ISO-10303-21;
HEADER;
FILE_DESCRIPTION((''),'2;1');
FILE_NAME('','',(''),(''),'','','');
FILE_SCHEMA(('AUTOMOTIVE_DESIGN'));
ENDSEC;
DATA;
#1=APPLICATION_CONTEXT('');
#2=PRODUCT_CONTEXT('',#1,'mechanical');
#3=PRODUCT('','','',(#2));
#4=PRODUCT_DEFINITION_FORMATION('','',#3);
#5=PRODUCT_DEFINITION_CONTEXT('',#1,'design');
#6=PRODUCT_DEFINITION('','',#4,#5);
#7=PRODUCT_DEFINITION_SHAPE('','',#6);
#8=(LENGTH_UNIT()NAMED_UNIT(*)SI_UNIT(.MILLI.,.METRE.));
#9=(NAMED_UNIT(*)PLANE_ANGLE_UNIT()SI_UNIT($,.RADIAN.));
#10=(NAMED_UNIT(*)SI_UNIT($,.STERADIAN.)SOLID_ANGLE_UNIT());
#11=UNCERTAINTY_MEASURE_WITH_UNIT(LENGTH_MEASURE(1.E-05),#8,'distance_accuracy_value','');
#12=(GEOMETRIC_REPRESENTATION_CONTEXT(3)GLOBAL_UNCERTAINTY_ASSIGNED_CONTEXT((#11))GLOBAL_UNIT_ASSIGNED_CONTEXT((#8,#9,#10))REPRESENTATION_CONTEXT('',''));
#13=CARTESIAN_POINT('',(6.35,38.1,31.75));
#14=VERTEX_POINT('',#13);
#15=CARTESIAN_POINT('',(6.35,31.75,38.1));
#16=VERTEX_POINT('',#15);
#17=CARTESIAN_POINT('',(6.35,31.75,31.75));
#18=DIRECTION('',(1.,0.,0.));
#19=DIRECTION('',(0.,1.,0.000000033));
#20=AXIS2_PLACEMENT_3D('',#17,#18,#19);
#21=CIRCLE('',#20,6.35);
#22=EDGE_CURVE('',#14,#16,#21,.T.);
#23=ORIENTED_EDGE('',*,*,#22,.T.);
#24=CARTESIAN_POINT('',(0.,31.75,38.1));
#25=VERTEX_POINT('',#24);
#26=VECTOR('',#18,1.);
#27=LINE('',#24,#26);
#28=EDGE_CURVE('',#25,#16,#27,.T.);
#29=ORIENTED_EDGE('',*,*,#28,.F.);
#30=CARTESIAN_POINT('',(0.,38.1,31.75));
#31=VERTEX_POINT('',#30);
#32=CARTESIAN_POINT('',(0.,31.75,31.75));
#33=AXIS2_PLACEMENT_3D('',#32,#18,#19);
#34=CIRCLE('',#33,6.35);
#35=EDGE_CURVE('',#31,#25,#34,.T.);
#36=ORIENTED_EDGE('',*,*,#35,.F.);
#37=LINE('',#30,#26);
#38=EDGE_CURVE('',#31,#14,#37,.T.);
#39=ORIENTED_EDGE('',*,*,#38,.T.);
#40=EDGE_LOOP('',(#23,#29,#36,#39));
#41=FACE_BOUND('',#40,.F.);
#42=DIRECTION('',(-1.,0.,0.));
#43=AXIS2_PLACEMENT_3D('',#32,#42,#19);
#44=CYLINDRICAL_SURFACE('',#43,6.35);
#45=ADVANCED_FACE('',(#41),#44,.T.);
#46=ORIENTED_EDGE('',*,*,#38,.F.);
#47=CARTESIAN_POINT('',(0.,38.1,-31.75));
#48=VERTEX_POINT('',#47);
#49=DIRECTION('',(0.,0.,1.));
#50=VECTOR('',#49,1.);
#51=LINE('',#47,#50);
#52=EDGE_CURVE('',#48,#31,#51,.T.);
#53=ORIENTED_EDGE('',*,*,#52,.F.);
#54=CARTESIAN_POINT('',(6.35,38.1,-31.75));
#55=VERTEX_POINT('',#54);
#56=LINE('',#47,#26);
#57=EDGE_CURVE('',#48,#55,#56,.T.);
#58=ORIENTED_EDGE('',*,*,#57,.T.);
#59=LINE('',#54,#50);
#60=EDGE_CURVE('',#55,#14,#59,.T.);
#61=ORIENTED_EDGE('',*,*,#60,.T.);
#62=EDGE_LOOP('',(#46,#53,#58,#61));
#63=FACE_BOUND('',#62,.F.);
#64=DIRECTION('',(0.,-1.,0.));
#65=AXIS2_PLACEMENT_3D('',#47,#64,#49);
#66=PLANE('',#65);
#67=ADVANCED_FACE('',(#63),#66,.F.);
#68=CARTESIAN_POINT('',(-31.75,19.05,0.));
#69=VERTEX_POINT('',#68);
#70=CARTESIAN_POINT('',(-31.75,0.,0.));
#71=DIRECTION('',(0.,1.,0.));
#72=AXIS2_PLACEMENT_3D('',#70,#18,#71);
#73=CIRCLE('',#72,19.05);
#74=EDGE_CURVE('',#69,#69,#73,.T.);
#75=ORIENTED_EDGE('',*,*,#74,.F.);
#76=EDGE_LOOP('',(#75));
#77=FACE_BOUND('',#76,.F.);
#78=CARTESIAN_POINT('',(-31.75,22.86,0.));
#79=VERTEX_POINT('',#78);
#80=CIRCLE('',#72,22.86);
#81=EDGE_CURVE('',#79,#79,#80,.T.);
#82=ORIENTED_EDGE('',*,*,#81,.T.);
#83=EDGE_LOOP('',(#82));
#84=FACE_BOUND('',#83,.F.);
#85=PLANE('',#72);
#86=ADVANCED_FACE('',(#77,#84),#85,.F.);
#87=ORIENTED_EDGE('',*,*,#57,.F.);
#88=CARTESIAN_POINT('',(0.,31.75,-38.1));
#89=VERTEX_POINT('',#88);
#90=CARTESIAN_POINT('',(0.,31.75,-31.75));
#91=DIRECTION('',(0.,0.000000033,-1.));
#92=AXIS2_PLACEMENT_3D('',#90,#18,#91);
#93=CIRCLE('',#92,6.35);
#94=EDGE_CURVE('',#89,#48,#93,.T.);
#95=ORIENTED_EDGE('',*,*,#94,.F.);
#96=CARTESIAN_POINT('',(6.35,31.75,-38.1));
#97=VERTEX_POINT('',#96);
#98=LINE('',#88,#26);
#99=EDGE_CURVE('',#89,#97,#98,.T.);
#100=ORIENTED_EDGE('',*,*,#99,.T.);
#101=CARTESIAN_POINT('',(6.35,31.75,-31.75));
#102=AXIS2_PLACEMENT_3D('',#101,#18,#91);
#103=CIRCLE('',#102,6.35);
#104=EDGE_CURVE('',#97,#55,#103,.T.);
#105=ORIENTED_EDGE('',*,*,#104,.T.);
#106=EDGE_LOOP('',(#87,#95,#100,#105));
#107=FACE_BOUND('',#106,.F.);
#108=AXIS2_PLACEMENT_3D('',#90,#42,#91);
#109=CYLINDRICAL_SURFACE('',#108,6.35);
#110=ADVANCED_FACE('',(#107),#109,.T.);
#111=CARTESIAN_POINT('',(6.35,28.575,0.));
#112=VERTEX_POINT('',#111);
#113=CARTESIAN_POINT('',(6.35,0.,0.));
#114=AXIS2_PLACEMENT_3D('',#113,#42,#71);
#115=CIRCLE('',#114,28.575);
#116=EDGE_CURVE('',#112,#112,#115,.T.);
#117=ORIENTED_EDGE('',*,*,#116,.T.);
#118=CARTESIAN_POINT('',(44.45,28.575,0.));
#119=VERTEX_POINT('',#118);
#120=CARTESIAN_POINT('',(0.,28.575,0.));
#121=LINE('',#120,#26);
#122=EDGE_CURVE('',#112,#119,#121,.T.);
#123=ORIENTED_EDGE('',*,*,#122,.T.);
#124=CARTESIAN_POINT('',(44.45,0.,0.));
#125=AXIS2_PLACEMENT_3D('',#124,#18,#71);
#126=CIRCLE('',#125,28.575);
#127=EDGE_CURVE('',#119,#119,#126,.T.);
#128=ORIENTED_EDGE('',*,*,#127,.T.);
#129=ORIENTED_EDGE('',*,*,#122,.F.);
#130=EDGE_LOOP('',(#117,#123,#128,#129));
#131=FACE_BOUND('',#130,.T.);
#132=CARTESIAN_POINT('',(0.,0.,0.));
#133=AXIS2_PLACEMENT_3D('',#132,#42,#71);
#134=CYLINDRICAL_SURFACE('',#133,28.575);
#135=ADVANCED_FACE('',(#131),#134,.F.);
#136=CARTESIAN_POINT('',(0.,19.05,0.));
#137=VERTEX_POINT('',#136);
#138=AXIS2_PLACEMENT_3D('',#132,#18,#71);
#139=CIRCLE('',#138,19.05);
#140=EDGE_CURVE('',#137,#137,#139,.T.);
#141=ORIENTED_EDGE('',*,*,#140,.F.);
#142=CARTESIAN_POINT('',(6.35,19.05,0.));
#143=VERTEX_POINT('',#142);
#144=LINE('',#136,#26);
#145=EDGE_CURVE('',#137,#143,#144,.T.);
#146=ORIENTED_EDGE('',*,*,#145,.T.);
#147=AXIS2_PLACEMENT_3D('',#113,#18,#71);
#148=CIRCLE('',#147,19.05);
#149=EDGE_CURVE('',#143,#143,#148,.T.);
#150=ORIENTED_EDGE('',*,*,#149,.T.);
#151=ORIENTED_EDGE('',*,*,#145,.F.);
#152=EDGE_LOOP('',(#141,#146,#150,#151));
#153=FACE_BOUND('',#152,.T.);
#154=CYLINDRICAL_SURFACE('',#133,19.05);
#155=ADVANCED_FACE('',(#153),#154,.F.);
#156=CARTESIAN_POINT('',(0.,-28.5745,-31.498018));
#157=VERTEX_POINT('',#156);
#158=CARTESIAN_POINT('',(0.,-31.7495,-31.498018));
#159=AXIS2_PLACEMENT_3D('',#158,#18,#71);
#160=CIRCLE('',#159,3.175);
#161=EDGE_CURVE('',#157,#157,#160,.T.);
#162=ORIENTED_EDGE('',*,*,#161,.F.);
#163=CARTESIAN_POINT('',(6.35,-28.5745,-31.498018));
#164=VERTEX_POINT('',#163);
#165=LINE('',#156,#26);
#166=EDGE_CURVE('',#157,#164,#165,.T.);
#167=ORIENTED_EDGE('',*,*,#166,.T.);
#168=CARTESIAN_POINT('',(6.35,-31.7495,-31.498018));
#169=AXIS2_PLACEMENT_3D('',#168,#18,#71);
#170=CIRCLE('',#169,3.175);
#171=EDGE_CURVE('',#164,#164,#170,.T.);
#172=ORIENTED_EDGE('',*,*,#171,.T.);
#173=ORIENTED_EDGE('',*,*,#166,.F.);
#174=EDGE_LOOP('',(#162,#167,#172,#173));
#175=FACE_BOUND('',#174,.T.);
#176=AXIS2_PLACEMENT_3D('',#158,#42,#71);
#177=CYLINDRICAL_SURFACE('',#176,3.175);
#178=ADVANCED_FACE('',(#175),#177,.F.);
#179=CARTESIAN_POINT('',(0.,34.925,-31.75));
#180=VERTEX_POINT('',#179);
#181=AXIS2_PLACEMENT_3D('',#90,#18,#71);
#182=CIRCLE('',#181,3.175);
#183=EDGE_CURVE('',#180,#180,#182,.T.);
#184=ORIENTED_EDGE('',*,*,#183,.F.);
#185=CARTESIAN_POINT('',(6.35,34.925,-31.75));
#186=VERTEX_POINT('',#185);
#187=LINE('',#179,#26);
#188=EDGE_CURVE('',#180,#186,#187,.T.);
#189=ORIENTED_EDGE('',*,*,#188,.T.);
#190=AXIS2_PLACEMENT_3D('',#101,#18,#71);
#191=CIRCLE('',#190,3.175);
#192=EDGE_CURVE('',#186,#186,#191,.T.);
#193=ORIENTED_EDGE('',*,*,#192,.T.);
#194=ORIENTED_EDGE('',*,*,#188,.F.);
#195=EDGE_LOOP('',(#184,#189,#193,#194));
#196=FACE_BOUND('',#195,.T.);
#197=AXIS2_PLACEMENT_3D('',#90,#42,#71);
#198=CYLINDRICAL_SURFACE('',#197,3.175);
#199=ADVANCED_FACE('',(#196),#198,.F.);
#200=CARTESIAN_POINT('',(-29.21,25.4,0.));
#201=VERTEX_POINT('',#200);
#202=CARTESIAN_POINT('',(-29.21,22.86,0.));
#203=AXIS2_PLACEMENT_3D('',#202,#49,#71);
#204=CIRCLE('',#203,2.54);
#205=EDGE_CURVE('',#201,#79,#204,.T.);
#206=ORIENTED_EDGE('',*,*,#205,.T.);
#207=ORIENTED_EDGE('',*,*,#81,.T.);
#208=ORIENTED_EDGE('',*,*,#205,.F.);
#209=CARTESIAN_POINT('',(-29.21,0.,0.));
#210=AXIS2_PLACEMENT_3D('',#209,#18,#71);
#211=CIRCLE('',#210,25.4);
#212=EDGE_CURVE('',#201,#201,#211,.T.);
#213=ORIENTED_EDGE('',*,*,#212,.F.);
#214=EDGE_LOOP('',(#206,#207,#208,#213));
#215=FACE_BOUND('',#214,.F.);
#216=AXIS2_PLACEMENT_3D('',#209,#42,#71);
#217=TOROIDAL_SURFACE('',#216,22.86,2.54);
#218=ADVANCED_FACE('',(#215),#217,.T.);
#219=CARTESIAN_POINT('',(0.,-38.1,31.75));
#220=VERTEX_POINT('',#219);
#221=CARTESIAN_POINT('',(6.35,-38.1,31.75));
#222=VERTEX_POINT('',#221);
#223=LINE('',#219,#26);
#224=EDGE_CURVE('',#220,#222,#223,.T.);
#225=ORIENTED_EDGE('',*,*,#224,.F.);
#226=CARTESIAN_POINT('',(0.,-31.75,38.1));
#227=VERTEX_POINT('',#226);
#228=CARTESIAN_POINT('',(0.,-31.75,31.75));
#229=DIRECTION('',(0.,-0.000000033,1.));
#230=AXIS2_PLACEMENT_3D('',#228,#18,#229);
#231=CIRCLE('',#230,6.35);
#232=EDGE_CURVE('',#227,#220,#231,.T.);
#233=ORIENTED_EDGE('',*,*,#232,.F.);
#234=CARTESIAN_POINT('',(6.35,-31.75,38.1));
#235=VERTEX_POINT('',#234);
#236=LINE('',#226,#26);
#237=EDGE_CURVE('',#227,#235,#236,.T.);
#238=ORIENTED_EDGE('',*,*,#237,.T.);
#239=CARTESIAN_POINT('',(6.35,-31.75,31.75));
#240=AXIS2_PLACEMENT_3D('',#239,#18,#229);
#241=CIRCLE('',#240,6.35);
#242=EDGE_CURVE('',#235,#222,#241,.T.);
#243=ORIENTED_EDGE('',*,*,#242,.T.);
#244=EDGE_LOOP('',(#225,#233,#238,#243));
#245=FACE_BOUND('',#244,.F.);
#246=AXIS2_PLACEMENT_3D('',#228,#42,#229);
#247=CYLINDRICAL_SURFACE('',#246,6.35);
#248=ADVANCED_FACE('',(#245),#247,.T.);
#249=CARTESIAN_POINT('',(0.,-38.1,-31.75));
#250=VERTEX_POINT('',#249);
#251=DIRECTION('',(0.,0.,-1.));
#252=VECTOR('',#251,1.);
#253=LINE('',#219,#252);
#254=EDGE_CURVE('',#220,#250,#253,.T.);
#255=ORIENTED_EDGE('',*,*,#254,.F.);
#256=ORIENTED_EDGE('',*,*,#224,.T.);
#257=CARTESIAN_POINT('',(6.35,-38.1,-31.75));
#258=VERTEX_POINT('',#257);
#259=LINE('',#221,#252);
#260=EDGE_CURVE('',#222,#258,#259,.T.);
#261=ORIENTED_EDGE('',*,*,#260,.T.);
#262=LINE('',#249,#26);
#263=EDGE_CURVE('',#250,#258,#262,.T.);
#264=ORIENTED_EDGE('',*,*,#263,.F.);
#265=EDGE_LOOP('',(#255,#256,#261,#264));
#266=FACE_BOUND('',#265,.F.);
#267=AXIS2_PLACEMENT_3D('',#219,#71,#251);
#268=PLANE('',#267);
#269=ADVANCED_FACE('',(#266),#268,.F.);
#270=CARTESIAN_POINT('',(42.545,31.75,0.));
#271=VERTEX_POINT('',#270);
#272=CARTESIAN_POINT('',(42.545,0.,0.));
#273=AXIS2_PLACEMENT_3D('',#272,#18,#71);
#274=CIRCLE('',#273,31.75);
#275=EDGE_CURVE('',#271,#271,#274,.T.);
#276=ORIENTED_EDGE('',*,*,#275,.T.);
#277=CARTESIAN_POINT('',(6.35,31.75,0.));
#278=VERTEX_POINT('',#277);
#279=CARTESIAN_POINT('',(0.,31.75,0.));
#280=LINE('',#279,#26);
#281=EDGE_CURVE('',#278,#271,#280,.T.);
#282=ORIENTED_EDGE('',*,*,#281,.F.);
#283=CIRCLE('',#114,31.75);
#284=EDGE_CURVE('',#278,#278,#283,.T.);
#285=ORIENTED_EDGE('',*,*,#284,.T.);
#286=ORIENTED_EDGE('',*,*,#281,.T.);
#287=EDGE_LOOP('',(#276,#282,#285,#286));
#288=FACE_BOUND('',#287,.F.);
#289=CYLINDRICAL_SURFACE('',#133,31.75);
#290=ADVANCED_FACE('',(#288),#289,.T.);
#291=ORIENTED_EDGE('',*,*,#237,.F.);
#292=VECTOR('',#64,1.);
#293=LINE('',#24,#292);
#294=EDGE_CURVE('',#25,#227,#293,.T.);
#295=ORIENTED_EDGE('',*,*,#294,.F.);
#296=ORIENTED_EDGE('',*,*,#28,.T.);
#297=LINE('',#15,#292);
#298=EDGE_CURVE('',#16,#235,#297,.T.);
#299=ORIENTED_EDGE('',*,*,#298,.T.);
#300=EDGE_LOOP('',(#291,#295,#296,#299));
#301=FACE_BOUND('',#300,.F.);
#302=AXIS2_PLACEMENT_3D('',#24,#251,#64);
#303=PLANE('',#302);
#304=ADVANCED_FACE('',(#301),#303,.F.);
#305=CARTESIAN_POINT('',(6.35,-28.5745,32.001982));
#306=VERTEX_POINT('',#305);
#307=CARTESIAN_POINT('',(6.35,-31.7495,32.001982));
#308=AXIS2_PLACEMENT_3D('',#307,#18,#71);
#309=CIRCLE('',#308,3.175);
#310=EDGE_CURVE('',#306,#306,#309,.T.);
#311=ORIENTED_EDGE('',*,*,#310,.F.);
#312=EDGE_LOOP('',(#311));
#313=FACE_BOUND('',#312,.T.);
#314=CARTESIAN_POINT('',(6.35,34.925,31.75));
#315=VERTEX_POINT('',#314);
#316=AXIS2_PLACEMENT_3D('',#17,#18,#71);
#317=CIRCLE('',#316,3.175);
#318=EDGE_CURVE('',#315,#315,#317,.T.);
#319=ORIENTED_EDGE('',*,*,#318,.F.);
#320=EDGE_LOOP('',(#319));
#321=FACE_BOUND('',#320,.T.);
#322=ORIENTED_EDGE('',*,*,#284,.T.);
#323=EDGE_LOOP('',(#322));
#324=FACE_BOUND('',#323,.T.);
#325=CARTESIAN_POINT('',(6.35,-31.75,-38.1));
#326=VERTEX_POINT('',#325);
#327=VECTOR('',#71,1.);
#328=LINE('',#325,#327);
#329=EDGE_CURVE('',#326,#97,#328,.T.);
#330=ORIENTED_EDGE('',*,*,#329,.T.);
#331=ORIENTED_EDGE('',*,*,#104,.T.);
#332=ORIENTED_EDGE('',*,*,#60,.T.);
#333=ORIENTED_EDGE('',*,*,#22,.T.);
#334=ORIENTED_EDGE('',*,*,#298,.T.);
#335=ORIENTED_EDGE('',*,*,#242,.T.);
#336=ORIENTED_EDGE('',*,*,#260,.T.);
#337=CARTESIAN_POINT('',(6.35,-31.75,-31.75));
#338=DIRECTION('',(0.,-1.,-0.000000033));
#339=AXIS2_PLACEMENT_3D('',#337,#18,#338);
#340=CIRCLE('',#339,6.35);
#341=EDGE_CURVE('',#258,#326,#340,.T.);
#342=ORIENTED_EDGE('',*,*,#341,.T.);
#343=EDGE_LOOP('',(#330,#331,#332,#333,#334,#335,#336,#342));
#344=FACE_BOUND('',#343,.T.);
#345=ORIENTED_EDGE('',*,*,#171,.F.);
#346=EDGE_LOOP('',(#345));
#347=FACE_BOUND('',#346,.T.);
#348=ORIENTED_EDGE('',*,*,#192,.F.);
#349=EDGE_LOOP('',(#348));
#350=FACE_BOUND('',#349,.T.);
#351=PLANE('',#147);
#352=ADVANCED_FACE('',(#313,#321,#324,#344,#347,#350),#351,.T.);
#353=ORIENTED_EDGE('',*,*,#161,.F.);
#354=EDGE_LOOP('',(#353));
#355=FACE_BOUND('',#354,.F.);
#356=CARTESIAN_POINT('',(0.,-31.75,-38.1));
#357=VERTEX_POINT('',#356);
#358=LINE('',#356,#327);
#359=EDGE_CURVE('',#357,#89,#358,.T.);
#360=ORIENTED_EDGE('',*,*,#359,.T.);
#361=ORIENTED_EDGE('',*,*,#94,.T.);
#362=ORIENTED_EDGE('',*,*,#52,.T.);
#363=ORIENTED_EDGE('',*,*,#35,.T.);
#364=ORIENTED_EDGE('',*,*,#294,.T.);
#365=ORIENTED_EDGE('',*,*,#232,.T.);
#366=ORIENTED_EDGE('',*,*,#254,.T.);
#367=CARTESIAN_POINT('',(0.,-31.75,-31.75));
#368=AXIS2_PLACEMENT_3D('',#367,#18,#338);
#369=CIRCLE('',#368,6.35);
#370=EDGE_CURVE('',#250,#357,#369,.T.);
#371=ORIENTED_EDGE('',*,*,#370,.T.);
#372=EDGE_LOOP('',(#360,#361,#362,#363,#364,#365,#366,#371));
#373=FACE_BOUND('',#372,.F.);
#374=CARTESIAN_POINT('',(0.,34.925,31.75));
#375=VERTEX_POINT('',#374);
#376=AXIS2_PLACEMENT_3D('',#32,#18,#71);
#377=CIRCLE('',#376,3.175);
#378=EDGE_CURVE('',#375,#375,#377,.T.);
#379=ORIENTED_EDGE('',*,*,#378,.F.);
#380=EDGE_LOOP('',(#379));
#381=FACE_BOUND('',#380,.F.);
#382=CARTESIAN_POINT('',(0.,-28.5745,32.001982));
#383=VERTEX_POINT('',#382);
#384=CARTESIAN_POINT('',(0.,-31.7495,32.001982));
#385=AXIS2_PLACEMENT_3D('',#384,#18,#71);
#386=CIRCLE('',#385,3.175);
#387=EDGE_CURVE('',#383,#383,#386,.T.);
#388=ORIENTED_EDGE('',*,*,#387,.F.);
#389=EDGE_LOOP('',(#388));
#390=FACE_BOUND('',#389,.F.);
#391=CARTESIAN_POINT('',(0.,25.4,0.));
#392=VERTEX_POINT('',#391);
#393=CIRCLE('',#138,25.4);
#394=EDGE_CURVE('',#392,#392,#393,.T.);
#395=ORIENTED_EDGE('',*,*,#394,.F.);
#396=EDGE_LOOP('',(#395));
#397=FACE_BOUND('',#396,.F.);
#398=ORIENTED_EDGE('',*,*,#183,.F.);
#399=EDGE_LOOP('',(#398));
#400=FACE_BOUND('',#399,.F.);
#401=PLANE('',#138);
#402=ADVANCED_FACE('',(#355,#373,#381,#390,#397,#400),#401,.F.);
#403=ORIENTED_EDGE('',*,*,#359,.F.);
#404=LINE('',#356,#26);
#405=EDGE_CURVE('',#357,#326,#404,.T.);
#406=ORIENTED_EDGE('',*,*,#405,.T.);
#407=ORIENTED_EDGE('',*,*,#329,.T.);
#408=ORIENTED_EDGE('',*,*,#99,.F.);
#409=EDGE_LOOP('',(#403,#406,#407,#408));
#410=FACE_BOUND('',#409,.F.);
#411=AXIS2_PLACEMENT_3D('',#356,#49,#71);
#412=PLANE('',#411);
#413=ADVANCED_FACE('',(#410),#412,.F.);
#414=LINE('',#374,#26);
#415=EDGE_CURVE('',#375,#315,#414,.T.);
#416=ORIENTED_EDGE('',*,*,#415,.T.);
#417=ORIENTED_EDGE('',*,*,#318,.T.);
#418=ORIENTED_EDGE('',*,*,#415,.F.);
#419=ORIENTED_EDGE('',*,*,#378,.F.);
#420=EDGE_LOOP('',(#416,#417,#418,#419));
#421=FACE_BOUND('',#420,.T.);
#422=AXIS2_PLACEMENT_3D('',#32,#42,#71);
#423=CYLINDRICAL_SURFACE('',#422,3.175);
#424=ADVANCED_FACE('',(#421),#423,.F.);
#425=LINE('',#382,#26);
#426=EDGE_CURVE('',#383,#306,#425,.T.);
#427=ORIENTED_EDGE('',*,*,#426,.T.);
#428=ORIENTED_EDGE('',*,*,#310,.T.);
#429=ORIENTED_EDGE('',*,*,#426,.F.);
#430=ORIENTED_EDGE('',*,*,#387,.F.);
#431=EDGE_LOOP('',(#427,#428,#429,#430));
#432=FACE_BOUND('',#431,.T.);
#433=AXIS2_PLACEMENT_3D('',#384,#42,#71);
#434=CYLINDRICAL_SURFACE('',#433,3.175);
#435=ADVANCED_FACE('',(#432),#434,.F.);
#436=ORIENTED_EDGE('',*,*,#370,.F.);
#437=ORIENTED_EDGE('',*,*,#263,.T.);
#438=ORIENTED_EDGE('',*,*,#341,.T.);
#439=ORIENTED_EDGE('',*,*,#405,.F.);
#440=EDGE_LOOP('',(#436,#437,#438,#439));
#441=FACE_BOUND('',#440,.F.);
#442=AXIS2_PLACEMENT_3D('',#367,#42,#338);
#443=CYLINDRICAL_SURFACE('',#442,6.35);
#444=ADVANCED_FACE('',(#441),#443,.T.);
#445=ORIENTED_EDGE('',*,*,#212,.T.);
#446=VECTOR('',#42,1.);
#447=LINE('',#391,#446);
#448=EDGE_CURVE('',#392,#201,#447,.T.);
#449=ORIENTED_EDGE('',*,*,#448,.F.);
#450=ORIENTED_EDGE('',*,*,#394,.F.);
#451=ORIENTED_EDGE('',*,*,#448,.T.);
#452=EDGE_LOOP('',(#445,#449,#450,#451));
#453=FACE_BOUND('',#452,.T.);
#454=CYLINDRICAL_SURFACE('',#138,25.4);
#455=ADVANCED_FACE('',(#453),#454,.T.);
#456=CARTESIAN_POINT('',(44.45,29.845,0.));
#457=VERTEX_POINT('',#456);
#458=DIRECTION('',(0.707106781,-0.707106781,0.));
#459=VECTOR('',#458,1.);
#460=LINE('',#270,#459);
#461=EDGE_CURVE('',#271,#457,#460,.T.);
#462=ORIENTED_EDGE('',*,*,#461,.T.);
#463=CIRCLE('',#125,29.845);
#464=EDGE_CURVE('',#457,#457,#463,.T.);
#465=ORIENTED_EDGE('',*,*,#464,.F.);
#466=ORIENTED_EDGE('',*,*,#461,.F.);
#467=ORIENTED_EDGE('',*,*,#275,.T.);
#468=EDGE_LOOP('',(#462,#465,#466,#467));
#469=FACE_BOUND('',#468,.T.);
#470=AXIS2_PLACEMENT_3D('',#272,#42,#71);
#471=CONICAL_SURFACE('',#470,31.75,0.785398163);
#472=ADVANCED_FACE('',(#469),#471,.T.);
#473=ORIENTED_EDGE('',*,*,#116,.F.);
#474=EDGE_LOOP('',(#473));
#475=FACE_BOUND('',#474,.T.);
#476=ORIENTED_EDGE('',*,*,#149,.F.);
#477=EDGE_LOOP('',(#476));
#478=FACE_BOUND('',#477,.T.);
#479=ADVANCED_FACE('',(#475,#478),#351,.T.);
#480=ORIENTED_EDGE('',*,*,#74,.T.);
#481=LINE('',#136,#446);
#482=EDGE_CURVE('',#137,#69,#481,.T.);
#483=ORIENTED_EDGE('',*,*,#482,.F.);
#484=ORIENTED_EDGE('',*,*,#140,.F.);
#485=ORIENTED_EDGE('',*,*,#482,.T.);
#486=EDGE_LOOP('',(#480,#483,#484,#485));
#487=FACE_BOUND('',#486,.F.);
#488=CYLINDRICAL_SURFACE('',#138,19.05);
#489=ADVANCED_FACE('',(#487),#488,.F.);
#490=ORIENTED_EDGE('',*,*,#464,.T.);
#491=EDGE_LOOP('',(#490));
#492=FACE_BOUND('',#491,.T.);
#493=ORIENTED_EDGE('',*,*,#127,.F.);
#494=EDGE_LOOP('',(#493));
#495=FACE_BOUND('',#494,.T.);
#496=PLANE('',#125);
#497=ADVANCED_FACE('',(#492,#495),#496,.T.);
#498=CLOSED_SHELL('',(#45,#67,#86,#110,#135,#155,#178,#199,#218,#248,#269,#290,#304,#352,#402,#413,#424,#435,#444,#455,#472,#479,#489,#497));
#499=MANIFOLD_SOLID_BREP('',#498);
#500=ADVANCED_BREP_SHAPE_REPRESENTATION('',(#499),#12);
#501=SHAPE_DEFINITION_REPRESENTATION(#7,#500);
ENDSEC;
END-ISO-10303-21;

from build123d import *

# Parameters (mm, degrees)
F0_R     = 3.175
F0_R_2   = 19.05
F1_DEPTH = 6.35
F2_R     = 31.75
F2_R_2   = 28.575
F3_DEPTH = 44.45
F4_SIZE2 = 1.905
F4_SIZE  = 1.905
F5_R     = 25.4
F5_R_2   = 19.05
F6_DEPTH = 31.75
F7_R     = 2.54


with BuildPart() as f1:
    # F0 (on Right) → F1 (new body)
    with BuildSketch(Plane.YZ):
        with BuildLine():
            ThreePointArc((-38.1, -31.75), (-36.240128, -36.240128), (-31.75, -38.1))
            Line((-31.75, -38.1), (31.75, -38.1))
            ThreePointArc((31.75, -38.1), (36.240128, -36.240128), (38.1, -31.75))
            Line((38.1, -31.75), (38.1, 31.75))
            ThreePointArc((38.1, 31.75), (36.240128, 36.240128), (31.75, 38.1))
            Line((31.75, 38.1), (-31.75, 38.1))
            ThreePointArc((-31.75, 38.1), (-36.240128, 36.240128), (-38.1, 31.75))
            Line((-38.1, 31.75), (-38.1, -31.75))
        make_face()
        with Locations((-31.7495, -31.498018)):
            Circle(F0_R, mode=Mode.SUBTRACT)
        with Locations((31.75, -31.75)):
            Circle(F0_R, mode=Mode.SUBTRACT)
        with Locations((-31.7495, 32.001982)):
            Circle(F0_R, mode=Mode.SUBTRACT)
        Circle(F0_R_2, mode=Mode.SUBTRACT)
        with Locations((31.75, 31.75)):
            Circle(F0_R, mode=Mode.SUBTRACT)
    extrude(amount=F1_DEPTH)

    # F2 (on Right) → F3 (join)
    with BuildSketch(Plane.YZ):
        Circle(F2_R)
        Circle(F2_R_2, mode=Mode.SUBTRACT)
    extrude(amount=F3_DEPTH)

    # F4
    f4_edges = [f1.edges().sort_by_distance(p)[0] for p in [
        (44.45, -31.75, 0),
    ]]
    chamfer(f4_edges, length=F4_SIZE, length2=F4_SIZE2)

    # F5 (on Right) → F6 (join)
    with BuildSketch(Plane.YZ):
        Circle(F5_R)
        Circle(F5_R_2, mode=Mode.SUBTRACT)
    extrude(amount=-F6_DEPTH)

    # F7
    f7_edges = [f1.edges().sort_by_distance(p)[0] for p in [
        (-31.75, -25.4, 0),
    ]]
    fillet(f7_edges, radius=F7_R)


solid = f1.part
